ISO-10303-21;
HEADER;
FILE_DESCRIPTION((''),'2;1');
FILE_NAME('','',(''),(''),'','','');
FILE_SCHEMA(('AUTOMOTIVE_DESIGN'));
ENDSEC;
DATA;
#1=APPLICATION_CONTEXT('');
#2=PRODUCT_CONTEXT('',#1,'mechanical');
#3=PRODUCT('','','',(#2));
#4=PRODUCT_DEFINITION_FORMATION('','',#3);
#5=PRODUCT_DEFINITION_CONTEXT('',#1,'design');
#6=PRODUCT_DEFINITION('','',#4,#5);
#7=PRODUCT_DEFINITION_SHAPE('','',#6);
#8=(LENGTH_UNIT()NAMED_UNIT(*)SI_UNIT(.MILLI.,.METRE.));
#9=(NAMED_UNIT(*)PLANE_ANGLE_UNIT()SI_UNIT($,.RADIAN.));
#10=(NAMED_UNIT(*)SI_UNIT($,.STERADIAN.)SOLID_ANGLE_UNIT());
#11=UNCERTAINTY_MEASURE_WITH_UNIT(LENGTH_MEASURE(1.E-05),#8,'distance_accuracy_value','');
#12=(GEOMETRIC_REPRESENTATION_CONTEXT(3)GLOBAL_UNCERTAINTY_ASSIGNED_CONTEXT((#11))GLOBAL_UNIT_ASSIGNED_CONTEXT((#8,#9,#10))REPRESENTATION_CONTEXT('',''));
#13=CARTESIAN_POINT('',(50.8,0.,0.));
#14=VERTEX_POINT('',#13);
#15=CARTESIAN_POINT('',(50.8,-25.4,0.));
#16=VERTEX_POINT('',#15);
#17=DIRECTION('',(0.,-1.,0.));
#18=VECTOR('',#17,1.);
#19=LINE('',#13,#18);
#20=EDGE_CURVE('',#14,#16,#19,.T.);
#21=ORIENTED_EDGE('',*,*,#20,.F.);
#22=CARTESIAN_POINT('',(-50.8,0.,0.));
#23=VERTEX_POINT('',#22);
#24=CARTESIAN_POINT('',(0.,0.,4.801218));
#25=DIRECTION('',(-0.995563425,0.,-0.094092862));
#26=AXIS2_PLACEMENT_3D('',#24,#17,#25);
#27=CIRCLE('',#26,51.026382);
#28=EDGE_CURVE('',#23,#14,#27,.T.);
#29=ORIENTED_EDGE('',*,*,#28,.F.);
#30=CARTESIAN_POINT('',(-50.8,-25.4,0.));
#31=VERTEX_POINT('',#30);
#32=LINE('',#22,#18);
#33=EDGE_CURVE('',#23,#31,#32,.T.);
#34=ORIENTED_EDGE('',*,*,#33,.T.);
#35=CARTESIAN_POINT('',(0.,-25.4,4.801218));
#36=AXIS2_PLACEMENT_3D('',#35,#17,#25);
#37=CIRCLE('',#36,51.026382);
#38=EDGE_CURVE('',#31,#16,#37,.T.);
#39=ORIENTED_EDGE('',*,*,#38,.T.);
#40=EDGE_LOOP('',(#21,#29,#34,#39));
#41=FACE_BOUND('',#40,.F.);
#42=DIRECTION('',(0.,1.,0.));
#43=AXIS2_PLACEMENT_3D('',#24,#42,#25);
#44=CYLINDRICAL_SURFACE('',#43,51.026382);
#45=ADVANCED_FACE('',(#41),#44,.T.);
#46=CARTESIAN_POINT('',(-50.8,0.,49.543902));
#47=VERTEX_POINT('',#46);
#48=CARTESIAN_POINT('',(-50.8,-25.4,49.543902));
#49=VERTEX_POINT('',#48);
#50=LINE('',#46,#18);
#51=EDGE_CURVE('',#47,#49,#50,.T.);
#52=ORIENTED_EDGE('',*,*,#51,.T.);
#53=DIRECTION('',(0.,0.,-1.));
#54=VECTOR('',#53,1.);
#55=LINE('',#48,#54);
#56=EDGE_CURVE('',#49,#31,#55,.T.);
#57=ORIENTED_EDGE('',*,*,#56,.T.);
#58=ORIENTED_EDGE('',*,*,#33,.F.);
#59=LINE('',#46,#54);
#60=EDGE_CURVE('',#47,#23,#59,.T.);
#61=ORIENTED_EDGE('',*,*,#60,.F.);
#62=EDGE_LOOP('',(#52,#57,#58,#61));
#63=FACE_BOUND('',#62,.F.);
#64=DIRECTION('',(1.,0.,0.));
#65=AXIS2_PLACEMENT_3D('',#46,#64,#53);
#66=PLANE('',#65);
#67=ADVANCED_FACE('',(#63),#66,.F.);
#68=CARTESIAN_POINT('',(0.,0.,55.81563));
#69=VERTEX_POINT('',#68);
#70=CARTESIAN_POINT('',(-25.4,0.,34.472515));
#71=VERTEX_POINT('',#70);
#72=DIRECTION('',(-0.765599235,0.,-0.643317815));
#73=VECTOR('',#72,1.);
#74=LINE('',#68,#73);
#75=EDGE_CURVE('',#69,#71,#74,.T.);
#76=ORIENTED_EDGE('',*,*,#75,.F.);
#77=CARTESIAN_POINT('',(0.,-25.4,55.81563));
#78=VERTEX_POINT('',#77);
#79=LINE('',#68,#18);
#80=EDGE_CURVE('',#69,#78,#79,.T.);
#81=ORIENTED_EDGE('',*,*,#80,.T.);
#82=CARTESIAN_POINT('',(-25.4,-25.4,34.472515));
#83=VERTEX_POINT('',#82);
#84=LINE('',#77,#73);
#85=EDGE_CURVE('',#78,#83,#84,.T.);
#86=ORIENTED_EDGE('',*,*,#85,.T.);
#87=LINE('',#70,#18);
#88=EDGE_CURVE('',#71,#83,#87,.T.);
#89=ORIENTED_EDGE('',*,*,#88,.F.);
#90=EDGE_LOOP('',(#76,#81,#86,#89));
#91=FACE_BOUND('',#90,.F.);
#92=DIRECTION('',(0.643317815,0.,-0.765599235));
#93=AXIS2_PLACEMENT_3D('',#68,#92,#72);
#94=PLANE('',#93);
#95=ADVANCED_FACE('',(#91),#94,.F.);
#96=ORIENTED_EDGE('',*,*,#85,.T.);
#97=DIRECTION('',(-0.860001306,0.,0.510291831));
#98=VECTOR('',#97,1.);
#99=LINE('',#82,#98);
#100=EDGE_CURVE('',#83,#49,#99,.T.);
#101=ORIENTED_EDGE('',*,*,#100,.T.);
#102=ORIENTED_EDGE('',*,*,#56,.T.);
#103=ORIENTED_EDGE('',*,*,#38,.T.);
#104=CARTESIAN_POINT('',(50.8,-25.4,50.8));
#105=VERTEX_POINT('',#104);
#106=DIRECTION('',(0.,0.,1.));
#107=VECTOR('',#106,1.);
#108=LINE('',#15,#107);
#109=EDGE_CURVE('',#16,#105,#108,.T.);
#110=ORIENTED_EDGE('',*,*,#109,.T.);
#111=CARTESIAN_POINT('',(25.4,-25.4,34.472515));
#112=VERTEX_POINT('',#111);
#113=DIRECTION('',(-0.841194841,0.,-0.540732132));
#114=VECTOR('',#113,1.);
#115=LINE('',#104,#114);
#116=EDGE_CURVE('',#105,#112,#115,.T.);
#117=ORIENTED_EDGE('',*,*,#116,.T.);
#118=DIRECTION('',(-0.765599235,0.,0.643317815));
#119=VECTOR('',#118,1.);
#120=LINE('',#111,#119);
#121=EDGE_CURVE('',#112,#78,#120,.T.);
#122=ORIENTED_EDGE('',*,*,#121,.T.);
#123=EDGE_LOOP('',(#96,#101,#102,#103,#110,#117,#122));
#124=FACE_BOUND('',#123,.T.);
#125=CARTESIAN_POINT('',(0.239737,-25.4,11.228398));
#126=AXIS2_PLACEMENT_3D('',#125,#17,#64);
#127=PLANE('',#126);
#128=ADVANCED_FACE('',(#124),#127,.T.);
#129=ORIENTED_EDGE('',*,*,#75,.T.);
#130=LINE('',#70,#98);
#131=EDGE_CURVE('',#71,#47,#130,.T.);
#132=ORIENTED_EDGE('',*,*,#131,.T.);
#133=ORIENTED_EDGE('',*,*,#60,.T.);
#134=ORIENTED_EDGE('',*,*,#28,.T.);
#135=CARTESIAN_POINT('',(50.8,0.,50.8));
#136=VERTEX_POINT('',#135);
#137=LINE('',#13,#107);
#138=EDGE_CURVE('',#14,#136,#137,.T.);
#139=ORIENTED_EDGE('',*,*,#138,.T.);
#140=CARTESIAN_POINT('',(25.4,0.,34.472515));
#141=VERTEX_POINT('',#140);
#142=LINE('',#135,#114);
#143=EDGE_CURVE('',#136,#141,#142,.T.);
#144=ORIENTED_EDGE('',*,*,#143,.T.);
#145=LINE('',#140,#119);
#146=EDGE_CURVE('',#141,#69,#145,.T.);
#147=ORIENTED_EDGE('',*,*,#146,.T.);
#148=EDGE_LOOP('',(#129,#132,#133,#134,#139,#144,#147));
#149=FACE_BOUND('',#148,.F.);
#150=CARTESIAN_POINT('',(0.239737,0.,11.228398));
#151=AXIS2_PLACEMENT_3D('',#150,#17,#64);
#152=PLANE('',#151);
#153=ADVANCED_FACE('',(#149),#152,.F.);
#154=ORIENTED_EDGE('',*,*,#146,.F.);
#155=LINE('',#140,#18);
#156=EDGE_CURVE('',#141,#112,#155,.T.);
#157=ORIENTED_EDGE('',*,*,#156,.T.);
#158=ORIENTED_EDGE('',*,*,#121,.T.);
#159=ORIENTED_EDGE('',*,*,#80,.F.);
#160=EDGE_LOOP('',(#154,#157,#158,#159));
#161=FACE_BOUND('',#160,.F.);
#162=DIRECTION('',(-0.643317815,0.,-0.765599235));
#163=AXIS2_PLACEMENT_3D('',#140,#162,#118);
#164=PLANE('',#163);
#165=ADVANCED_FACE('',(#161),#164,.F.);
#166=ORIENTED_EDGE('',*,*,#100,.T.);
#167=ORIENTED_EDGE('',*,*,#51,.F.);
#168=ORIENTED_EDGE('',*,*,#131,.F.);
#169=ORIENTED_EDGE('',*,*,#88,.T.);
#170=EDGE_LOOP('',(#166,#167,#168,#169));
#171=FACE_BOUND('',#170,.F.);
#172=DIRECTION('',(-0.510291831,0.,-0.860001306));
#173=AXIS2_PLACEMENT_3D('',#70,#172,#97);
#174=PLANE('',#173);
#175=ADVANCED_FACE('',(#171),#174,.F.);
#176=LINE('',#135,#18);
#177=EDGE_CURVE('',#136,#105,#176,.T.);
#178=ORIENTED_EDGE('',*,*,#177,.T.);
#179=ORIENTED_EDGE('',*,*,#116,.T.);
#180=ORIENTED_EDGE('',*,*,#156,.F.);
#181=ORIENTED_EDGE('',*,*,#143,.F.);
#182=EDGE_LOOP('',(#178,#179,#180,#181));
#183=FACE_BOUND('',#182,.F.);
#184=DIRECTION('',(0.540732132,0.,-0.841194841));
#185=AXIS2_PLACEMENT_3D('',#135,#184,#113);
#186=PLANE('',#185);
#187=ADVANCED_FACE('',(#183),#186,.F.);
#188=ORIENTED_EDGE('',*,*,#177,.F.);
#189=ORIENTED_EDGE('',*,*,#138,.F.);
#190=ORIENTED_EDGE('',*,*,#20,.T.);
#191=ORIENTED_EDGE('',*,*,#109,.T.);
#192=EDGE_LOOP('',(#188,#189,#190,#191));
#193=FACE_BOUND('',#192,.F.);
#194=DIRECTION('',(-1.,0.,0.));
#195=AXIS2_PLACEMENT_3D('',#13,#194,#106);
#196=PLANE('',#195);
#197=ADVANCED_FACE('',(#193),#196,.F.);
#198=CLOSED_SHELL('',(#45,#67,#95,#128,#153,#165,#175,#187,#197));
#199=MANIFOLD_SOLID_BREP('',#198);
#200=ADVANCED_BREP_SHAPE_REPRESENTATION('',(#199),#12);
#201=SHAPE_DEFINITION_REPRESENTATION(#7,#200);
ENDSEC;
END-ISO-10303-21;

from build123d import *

# Parameters (mm, degrees)
F1_DEPTH = 25.4


with BuildPart() as f1:
    # F0 (on Front) → F1 (new body)
    with BuildSketch(Plane.XZ):
        with BuildLine():
            Line((-50.8, 49.543902), (-50.8, 0))
            ThreePointArc((-50.8, 0), (0, -46.225164), (50.8, 0))
            Line((50.8, 0), (50.8, 50.8))
            Line((50.8, 50.8), (25.4, 34.472515))
            Line((25.4, 34.472515), (0, 55.81563))
            Line((0, 55.81563), (-25.4, 34.472515))
            Line((-25.4, 34.472515), (-50.8, 49.543902))
        make_face()
    extrude(amount=F1_DEPTH)


solid = f1.part
